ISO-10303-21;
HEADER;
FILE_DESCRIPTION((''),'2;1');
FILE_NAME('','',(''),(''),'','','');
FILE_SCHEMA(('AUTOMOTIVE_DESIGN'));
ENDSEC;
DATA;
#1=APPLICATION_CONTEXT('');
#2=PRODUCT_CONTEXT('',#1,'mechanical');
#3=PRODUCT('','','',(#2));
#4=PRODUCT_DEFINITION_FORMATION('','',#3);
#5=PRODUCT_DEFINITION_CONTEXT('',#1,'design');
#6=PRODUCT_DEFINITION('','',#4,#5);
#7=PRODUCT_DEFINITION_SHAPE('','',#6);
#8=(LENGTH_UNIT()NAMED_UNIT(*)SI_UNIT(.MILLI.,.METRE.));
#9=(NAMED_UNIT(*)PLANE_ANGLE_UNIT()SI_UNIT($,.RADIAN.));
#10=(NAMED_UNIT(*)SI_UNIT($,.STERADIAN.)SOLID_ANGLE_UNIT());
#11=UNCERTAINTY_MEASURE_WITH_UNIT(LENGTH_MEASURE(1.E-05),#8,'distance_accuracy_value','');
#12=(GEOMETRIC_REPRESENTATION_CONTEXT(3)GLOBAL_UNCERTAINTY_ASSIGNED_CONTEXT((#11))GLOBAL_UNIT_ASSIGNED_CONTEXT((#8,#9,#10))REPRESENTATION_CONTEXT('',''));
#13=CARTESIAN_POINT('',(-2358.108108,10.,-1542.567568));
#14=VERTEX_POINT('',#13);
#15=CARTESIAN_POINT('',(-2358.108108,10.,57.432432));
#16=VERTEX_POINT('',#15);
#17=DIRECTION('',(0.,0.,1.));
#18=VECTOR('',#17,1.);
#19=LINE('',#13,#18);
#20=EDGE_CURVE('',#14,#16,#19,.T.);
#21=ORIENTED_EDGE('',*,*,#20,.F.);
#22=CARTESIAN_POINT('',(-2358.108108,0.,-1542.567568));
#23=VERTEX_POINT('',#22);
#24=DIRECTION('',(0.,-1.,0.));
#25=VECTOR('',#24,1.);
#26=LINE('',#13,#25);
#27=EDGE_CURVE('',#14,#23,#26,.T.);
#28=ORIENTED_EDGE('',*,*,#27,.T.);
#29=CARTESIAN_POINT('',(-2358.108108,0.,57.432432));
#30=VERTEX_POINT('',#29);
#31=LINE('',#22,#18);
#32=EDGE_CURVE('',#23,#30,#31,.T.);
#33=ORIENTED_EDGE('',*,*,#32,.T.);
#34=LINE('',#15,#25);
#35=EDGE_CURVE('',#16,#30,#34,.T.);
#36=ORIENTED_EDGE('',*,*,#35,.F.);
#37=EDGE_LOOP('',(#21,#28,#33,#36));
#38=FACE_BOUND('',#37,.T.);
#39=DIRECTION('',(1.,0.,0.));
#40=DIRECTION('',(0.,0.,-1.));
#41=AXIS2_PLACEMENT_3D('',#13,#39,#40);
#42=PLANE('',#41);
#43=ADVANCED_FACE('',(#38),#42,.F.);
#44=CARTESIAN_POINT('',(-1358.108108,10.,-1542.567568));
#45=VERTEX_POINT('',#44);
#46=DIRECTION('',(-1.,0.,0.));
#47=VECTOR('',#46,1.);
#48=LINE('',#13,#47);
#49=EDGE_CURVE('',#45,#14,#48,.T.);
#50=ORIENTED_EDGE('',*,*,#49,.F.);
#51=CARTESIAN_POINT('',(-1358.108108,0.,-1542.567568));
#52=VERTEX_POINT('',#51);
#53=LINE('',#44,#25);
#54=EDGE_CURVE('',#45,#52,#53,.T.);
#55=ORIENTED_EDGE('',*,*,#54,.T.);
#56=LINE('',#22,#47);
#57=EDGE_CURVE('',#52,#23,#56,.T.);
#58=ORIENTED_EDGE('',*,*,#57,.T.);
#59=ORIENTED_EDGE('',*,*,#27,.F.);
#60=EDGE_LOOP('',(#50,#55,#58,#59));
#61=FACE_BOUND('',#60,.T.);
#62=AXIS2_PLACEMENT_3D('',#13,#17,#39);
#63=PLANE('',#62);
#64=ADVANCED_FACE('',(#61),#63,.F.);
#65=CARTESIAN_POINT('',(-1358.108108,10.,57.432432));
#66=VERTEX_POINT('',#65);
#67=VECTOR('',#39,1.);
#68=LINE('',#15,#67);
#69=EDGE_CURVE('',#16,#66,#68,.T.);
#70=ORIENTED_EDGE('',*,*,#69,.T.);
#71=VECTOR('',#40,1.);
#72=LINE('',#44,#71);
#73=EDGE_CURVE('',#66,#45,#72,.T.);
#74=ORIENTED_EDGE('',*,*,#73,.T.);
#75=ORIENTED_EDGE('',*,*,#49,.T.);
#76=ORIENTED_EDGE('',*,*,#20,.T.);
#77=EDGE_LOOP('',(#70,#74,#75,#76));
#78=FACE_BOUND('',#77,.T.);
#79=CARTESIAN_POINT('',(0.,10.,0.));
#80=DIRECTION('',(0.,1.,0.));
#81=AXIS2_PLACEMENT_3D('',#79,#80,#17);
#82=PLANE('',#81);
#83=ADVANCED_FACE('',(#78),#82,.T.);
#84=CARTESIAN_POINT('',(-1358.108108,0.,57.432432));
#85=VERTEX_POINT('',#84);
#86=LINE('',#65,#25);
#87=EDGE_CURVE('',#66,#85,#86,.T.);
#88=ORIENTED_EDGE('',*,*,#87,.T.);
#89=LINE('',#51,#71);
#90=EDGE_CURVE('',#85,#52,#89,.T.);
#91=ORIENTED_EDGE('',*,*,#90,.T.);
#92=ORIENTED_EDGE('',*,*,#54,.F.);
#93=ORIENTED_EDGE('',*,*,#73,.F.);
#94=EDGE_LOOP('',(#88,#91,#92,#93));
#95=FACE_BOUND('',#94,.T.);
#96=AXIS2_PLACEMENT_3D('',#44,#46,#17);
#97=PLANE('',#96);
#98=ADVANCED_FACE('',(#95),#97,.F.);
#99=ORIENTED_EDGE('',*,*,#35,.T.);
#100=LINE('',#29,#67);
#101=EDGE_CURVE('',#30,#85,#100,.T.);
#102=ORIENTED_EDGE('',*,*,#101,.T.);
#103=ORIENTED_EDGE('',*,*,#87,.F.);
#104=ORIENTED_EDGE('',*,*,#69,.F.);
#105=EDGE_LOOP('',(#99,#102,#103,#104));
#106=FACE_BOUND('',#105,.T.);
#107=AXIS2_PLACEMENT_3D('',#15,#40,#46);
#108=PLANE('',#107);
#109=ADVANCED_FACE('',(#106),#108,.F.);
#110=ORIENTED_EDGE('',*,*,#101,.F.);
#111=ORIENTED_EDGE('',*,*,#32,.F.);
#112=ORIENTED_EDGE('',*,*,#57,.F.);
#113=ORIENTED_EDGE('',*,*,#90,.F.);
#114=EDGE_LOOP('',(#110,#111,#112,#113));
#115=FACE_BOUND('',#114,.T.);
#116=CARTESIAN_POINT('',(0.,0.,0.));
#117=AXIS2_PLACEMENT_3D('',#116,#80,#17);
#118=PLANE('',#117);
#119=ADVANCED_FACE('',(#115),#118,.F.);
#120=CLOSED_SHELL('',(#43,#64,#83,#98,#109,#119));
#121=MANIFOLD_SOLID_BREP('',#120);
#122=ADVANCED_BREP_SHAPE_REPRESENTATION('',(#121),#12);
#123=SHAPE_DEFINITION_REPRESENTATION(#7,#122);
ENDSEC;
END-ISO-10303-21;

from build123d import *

# Parameters (mm, degrees)
SKETCH_1_W      = 1000
SKETCH_1_H      = 1600
EXTRUDE_1_DEPTH = 10


with BuildPart() as part:
    # 草图1 → 凸台-拉伸1 (new body)
    with BuildSketch(Plane(origin=(0, 0, 0), x_dir=(1, 0, 0), z_dir=(0, 1, 0))):
        with Locations((-1858.108108108, 742.567567568)):
            Rectangle(SKETCH_1_W, SKETCH_1_H)
    extrude(amount=EXTRUDE_1_DEPTH)


solid = part.part
